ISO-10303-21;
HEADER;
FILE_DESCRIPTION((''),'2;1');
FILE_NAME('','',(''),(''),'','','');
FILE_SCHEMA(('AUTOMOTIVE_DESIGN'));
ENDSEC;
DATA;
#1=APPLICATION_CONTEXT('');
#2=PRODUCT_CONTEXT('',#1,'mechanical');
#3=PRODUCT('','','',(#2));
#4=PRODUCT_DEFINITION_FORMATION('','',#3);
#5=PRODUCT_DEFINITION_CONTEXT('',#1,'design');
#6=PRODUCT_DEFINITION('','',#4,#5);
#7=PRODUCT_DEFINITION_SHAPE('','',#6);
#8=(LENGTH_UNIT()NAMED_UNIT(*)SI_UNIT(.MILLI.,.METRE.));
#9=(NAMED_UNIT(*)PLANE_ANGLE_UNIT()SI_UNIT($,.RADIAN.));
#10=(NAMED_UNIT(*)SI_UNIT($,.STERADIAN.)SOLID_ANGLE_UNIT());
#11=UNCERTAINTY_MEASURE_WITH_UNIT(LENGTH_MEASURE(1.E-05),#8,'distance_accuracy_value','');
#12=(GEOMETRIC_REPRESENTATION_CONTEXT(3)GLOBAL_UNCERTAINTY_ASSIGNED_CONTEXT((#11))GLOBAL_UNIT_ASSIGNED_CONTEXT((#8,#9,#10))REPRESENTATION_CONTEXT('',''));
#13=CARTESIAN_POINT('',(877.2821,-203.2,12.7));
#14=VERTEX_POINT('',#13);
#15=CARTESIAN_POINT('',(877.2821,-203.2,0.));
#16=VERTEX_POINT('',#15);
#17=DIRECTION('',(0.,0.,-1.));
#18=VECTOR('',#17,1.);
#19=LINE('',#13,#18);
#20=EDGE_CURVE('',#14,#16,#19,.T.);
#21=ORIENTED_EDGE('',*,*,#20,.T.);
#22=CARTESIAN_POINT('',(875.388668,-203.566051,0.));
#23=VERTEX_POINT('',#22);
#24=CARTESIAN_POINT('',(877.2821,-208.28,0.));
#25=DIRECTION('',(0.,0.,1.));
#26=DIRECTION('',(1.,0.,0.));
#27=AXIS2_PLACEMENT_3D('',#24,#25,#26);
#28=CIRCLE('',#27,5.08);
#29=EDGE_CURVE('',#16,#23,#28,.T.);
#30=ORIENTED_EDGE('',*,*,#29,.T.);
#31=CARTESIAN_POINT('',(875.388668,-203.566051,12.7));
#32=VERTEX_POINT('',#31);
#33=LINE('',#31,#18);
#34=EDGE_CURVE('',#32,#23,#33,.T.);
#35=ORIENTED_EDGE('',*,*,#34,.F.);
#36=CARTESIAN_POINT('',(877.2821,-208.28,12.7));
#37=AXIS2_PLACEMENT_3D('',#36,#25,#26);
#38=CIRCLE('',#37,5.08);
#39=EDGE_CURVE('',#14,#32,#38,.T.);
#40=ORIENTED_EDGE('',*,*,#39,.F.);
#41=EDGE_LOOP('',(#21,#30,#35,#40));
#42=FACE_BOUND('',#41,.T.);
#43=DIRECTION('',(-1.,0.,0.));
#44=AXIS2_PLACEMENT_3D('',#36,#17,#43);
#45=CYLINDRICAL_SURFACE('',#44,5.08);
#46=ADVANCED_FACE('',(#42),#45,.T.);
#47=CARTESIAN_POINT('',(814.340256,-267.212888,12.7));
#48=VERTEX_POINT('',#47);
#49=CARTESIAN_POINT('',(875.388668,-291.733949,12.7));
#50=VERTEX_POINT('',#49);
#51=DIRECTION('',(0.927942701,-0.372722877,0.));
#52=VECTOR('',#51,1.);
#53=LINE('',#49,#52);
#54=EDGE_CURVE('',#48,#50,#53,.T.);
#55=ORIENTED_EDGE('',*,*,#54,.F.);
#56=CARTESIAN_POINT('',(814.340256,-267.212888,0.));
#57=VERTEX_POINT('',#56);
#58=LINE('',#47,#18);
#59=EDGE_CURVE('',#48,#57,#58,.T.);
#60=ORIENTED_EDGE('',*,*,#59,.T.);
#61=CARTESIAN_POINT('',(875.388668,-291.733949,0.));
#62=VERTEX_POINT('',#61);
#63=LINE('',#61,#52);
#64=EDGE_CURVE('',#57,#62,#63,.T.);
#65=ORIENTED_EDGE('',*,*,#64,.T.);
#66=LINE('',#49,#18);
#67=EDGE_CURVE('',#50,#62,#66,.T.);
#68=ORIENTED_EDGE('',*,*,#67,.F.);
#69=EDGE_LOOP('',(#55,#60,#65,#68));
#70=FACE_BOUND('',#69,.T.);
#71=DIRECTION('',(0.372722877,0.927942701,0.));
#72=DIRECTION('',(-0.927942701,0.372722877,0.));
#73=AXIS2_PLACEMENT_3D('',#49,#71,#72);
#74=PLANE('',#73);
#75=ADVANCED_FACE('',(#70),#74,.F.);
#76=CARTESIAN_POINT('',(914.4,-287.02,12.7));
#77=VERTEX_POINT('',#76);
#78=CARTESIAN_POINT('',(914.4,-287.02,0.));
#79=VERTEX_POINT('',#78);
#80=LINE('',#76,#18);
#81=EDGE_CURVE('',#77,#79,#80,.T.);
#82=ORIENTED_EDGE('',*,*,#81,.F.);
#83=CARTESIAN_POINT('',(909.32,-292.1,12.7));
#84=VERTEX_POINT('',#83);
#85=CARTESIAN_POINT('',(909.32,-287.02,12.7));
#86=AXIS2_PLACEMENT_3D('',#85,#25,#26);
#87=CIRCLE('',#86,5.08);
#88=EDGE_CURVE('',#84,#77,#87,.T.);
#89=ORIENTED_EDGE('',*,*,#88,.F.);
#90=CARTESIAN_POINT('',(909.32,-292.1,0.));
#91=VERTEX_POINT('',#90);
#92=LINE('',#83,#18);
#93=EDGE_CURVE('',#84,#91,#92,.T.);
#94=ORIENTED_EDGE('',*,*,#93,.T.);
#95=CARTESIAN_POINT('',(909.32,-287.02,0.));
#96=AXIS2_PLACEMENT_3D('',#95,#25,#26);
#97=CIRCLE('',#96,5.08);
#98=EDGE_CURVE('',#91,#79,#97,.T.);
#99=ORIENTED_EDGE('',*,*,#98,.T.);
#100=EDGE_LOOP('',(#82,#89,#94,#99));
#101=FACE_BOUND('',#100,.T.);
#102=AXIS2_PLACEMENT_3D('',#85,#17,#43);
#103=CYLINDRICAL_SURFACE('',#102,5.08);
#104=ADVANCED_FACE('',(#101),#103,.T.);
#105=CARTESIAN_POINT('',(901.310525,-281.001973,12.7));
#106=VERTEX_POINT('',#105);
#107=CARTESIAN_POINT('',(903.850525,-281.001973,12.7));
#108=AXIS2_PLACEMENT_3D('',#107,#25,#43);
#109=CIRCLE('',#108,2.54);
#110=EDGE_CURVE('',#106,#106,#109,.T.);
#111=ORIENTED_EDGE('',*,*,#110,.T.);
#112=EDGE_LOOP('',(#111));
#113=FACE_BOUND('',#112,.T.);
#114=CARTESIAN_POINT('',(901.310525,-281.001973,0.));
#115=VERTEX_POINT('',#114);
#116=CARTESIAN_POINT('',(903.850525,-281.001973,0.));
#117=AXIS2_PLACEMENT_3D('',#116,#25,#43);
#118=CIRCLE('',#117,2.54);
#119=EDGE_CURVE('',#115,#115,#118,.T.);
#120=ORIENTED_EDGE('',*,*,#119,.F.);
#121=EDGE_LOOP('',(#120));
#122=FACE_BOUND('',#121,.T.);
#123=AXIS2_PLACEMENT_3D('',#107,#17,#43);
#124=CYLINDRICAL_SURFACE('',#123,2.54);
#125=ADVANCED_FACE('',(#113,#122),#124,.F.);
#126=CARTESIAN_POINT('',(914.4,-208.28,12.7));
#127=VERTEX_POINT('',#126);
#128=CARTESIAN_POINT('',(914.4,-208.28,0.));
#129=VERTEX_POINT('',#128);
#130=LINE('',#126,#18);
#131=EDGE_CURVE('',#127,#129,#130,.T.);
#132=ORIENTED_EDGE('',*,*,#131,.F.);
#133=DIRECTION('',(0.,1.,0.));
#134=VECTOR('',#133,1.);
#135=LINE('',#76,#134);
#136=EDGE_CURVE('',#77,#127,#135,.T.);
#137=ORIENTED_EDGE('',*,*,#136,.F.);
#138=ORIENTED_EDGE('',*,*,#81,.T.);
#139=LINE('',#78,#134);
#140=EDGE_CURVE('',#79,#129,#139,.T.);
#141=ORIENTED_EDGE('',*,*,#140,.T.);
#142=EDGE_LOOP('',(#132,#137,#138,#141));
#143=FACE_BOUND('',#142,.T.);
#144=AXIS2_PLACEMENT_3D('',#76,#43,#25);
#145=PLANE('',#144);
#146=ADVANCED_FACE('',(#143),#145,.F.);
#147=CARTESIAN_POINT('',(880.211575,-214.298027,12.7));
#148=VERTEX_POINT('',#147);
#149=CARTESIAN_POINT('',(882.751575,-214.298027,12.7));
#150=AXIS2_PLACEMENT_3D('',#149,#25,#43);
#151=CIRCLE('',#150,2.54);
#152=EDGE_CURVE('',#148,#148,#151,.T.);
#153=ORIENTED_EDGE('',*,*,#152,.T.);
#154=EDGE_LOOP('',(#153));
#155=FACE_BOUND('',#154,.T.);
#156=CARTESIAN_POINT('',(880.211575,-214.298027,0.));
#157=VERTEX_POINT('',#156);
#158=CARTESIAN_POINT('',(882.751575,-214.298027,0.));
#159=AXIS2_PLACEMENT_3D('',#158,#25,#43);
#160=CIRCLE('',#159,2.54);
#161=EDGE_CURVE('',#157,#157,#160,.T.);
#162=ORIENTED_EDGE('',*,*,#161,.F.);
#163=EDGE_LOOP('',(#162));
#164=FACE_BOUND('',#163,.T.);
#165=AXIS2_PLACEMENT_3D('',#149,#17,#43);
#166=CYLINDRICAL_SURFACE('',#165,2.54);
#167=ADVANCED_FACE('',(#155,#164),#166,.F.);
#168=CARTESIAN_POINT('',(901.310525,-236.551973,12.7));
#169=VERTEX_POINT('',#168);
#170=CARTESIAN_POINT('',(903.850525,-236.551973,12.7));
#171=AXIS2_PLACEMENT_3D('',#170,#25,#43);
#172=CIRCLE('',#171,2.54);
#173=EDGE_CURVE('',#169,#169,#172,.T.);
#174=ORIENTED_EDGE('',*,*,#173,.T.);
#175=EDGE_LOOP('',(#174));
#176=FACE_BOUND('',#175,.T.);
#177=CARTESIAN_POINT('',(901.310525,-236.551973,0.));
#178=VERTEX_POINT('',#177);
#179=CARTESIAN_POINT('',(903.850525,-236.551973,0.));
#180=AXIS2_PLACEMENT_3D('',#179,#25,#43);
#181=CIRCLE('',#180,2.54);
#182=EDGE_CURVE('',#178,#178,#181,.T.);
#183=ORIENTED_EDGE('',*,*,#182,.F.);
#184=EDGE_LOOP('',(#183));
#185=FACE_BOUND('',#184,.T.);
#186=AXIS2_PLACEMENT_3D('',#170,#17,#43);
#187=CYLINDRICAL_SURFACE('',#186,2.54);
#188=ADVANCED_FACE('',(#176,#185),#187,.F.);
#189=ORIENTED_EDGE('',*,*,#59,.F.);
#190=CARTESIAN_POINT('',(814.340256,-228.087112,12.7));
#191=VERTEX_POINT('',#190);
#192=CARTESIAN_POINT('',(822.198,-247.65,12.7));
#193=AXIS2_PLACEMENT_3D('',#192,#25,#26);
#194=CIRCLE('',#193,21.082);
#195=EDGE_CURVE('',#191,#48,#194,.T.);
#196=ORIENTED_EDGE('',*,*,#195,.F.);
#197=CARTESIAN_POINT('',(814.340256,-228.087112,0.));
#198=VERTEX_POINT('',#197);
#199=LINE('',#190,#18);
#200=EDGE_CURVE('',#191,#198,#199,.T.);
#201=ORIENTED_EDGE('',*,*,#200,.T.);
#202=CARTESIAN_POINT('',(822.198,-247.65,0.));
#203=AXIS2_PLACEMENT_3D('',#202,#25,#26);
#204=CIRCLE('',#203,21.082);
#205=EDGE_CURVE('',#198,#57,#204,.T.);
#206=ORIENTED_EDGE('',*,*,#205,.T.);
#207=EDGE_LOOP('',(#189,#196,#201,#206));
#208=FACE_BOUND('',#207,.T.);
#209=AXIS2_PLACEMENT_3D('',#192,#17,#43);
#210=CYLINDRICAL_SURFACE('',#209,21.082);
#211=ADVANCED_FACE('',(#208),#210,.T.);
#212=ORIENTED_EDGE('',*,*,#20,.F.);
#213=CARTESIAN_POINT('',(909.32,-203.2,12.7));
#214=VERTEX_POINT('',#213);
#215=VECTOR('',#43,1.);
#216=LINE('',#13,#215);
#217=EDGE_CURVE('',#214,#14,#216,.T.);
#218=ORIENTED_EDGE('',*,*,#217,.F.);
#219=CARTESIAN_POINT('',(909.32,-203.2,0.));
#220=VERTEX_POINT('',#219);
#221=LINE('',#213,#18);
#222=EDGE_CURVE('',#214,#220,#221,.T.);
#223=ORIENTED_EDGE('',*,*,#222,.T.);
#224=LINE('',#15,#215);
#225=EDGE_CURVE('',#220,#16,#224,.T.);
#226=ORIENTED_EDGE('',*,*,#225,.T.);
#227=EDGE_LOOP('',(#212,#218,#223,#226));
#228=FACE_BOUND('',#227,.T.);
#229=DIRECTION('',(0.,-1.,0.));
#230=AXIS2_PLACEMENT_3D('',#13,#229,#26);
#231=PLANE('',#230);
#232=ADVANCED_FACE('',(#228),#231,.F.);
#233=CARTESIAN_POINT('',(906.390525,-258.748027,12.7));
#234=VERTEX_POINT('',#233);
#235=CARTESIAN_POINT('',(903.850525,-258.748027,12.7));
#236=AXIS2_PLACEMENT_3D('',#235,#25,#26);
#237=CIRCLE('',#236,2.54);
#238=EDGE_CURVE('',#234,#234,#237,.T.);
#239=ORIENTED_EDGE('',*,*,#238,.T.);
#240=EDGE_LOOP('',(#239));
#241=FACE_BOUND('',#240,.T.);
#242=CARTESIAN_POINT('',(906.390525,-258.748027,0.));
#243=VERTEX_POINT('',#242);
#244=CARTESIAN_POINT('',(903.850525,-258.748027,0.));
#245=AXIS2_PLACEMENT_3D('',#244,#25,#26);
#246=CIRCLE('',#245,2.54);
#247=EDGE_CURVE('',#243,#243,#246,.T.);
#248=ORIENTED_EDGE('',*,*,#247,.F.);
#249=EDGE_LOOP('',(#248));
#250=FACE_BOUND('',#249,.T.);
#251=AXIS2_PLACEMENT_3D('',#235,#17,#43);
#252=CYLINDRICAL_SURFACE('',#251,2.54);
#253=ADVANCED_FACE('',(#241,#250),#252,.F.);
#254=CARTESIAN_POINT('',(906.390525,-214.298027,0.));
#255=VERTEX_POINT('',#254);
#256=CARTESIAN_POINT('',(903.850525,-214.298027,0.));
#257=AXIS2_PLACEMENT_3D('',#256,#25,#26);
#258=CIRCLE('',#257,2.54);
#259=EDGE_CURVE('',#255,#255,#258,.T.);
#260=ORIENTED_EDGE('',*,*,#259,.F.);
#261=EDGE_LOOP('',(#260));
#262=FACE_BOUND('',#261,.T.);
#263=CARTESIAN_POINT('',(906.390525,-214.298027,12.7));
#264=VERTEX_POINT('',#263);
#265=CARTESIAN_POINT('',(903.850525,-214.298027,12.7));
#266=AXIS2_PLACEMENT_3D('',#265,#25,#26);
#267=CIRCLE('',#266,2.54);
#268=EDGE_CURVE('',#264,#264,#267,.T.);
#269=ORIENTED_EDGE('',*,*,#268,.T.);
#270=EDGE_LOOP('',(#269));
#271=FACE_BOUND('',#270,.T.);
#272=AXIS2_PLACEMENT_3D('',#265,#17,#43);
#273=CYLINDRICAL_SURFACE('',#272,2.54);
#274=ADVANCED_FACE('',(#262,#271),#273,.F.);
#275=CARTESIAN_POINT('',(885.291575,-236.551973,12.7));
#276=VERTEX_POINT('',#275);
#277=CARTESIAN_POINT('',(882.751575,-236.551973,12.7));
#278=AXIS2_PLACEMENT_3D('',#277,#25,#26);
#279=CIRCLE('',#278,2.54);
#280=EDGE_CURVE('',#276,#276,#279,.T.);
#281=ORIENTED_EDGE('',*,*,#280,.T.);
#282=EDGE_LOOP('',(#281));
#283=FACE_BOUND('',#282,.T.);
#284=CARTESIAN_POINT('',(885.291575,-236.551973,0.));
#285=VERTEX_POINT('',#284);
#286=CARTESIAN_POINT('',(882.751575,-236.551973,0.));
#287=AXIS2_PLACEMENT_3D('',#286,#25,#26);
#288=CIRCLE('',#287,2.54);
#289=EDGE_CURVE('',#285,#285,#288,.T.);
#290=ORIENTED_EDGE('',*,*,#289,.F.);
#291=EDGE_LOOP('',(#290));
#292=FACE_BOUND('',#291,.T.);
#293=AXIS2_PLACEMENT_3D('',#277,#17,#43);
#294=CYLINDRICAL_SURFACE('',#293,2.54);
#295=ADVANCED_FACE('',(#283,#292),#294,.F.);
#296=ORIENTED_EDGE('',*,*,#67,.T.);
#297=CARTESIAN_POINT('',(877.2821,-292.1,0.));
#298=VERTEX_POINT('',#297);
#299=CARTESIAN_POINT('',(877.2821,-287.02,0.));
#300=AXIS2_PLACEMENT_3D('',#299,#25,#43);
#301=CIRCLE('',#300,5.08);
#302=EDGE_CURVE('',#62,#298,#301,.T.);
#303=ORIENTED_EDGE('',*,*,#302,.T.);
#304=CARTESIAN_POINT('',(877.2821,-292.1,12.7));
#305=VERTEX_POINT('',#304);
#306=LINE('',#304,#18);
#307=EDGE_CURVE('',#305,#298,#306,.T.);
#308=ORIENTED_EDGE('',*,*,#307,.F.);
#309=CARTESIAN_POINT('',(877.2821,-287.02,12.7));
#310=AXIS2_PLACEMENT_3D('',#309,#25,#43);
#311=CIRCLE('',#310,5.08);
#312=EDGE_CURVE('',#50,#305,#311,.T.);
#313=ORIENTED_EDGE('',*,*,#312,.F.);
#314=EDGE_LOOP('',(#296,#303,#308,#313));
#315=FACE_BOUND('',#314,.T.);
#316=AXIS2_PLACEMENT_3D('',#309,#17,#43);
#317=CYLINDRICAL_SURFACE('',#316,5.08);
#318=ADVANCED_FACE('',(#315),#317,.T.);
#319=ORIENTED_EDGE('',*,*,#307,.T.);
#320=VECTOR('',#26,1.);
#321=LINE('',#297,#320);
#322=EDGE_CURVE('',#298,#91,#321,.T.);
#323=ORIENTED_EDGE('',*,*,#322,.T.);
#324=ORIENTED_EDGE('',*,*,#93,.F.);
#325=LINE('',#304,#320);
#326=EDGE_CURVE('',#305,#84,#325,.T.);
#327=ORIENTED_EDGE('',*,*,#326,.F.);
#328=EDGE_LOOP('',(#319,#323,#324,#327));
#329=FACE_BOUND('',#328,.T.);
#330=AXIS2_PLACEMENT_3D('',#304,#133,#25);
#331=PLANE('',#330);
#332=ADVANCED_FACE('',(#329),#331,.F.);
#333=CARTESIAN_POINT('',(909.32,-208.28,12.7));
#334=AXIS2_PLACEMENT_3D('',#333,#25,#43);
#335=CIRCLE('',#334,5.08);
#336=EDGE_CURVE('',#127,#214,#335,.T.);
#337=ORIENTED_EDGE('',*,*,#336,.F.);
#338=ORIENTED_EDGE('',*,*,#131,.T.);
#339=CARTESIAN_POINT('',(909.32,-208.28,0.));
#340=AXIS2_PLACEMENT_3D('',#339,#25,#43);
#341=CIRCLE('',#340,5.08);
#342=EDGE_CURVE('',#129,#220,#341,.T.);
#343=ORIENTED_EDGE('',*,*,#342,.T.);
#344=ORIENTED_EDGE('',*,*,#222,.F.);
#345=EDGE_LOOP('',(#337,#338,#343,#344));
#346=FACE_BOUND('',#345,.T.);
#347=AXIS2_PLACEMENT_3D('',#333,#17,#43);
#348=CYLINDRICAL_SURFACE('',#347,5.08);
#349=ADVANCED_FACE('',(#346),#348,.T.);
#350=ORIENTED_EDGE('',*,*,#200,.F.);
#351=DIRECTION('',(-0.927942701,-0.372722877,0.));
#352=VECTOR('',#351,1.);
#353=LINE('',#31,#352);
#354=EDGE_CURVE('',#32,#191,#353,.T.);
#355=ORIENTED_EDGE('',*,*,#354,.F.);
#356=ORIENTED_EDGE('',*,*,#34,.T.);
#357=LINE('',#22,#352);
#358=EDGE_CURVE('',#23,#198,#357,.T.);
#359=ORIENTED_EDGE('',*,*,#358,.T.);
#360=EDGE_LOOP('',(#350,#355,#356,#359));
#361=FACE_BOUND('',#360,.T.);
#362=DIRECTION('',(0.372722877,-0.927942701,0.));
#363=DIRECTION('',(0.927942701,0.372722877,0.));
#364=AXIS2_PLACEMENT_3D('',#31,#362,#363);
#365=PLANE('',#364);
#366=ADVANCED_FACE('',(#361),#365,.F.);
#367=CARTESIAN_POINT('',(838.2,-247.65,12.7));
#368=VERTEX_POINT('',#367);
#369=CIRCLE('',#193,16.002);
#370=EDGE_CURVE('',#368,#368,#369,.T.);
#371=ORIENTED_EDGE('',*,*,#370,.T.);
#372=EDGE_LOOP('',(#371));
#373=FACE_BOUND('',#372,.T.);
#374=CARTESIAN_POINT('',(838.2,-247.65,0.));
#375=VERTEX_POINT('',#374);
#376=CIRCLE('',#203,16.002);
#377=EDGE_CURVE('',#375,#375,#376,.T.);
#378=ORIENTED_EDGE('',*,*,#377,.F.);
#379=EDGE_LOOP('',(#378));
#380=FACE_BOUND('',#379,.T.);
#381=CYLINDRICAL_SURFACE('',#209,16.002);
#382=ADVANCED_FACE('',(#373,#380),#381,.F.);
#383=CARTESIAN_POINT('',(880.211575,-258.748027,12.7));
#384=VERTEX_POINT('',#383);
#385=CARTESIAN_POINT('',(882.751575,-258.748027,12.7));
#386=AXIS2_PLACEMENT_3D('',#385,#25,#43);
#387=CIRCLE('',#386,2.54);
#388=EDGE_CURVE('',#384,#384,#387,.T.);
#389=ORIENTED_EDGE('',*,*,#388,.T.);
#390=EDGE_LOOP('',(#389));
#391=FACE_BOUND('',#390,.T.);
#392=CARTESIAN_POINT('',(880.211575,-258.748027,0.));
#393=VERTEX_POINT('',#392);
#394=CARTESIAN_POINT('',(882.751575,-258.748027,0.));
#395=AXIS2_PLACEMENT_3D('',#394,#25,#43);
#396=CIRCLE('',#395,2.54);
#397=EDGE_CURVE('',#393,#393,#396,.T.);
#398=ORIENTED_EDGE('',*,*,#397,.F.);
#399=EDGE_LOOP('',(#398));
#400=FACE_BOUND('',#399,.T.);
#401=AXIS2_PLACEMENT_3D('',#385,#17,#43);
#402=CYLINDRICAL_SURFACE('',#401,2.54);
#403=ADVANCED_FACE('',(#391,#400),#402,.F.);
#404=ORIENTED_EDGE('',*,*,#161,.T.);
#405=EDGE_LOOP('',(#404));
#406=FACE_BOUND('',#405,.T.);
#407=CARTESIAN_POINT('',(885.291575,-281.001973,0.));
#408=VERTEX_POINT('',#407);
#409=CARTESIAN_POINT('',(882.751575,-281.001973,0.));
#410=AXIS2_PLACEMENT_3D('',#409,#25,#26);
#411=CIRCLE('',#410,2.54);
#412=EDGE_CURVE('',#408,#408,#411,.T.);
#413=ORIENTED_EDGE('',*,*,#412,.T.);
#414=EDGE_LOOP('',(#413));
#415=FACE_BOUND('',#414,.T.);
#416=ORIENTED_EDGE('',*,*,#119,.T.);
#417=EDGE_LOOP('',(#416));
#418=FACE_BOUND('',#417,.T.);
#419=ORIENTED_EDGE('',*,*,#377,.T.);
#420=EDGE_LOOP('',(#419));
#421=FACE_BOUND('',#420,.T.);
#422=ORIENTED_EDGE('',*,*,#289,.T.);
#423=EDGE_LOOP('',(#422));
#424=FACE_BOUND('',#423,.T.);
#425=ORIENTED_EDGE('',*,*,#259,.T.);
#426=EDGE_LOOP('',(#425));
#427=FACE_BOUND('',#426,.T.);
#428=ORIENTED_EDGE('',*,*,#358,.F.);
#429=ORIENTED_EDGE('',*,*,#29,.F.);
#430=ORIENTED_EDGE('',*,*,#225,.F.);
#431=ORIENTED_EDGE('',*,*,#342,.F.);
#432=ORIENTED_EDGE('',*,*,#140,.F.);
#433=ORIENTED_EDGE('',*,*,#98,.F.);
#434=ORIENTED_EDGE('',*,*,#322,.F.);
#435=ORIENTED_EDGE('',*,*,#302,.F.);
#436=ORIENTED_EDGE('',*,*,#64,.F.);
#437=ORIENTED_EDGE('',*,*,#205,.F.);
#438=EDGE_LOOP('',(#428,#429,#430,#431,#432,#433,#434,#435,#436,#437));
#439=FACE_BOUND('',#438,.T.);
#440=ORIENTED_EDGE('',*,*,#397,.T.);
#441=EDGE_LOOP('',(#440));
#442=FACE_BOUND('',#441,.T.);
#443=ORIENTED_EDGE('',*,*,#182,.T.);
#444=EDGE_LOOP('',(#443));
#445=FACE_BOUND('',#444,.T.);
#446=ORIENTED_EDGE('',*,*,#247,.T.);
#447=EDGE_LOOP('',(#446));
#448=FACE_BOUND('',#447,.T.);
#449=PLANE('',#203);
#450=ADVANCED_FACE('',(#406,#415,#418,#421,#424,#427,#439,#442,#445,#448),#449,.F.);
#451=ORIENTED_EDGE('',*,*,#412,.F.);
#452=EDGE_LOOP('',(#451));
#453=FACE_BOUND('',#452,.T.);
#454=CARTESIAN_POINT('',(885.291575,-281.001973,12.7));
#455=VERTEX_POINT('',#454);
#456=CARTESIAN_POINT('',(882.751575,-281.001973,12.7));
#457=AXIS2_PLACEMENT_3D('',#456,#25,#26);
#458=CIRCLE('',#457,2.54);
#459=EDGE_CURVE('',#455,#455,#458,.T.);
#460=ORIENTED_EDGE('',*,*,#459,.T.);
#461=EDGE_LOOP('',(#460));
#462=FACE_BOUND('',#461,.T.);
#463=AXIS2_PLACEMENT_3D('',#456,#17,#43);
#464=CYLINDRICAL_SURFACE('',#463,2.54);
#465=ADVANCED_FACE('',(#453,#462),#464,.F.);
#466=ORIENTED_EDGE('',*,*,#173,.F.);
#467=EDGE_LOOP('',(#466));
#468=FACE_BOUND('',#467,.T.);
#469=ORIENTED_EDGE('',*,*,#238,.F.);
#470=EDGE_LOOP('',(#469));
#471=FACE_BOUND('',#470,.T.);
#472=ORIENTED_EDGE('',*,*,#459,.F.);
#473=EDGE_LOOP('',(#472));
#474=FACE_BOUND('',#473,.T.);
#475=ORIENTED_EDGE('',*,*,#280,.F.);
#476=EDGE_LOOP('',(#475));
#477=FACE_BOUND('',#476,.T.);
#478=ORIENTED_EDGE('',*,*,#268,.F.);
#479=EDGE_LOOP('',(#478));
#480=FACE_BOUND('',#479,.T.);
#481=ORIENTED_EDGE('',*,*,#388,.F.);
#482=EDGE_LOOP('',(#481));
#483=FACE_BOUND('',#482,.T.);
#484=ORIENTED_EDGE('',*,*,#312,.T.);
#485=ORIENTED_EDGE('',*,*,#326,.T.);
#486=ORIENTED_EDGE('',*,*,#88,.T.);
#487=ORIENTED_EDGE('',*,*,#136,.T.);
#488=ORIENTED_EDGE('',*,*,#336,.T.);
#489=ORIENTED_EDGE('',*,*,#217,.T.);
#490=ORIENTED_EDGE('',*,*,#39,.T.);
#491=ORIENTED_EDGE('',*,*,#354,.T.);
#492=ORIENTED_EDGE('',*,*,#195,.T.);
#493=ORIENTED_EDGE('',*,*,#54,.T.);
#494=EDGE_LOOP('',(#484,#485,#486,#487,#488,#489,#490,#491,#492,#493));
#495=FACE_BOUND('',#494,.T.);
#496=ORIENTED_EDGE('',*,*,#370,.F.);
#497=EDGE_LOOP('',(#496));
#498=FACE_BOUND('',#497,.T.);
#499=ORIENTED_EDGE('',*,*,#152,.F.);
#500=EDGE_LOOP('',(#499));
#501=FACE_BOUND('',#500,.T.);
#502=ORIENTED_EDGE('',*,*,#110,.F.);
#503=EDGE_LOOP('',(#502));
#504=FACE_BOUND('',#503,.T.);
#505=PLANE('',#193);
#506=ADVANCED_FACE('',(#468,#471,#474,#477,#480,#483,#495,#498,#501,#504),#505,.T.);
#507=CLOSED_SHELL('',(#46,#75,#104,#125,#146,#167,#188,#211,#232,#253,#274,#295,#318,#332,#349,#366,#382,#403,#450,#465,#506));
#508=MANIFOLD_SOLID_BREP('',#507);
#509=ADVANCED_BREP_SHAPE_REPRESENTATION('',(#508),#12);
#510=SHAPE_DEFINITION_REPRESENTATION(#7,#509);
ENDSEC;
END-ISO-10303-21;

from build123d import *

# Parameters (mm, degrees)
SKETCH1_R           = 16.002
SKETCH1_R_2         = 2.54
BOSS_EXTRUDE1_DEPTH = 12.7


with BuildPart() as part:
    # Sketch1 → Boss-Extrude1 (new body)
    with BuildSketch(Plane.XY):
        with BuildLine():
            Line((877.282099838, -292.1), (909.32, -292.1))
            ThreePointArc((909.32, -292.1), (912.912102448, -290.612102448), (914.4, -287.02))
            Line((914.4, -287.02), (914.4, -208.28))
            ThreePointArc((914.4, -208.28), (912.912102448, -204.687897552), (909.32, -203.2))
            Line((909.32, -203.2), (877.282099838, -203.2))
            ThreePointArc((877.282099838, -203.2), (876.317854156, -203.292352231), (875.388667624, -203.566051077))
            Line((875.388667624, -203.566051077), (814.340256312, -228.087111968))
            ThreePointArc((814.340256312, -228.087111968), (801.116, -247.65), (814.340256312, -267.212888032))
            Line((814.340256312, -267.212888032), (875.388667624, -291.733948923))
            ThreePointArc((875.388667624, -291.733948923), (876.317854156, -292.007647769), (877.282099838, -292.1))
        make_face()
        with Locations((822.198, -247.65)):
            Circle(SKETCH1_R, mode=Mode.SUBTRACT)
        with Locations((903.850524959, -214.298026916)):
            Circle(SKETCH1_R_2, mode=Mode.SUBTRACT)
        with Locations(Location((882.751574878, -214.298026916, 0), (0, 0, 180))):
            Circle(SKETCH1_R_2, mode=Mode.SUBTRACT)
        with Locations((882.751574878, -236.551973084)):
            Circle(SKETCH1_R_2, mode=Mode.SUBTRACT)
        with Locations(Location((903.850524959, -236.551973084, 0), (0, 0, 180))):
            Circle(SKETCH1_R_2, mode=Mode.SUBTRACT)
        with Locations(Location((882.751574878, -258.748026916, 0), (0, 0, 180))):
            Circle(SKETCH1_R_2, mode=Mode.SUBTRACT)
        with Locations((882.751574878, -281.001973084)):
            Circle(SKETCH1_R_2, mode=Mode.SUBTRACT)
        with Locations((903.850524959, -258.748026916)):
            Circle(SKETCH1_R_2, mode=Mode.SUBTRACT)
        with Locations(Location((903.850524959, -281.001973084, 0), (0, 0, 180))):
            Circle(SKETCH1_R_2, mode=Mode.SUBTRACT)
    extrude(amount=BOSS_EXTRUDE1_DEPTH)


solid = part.part
